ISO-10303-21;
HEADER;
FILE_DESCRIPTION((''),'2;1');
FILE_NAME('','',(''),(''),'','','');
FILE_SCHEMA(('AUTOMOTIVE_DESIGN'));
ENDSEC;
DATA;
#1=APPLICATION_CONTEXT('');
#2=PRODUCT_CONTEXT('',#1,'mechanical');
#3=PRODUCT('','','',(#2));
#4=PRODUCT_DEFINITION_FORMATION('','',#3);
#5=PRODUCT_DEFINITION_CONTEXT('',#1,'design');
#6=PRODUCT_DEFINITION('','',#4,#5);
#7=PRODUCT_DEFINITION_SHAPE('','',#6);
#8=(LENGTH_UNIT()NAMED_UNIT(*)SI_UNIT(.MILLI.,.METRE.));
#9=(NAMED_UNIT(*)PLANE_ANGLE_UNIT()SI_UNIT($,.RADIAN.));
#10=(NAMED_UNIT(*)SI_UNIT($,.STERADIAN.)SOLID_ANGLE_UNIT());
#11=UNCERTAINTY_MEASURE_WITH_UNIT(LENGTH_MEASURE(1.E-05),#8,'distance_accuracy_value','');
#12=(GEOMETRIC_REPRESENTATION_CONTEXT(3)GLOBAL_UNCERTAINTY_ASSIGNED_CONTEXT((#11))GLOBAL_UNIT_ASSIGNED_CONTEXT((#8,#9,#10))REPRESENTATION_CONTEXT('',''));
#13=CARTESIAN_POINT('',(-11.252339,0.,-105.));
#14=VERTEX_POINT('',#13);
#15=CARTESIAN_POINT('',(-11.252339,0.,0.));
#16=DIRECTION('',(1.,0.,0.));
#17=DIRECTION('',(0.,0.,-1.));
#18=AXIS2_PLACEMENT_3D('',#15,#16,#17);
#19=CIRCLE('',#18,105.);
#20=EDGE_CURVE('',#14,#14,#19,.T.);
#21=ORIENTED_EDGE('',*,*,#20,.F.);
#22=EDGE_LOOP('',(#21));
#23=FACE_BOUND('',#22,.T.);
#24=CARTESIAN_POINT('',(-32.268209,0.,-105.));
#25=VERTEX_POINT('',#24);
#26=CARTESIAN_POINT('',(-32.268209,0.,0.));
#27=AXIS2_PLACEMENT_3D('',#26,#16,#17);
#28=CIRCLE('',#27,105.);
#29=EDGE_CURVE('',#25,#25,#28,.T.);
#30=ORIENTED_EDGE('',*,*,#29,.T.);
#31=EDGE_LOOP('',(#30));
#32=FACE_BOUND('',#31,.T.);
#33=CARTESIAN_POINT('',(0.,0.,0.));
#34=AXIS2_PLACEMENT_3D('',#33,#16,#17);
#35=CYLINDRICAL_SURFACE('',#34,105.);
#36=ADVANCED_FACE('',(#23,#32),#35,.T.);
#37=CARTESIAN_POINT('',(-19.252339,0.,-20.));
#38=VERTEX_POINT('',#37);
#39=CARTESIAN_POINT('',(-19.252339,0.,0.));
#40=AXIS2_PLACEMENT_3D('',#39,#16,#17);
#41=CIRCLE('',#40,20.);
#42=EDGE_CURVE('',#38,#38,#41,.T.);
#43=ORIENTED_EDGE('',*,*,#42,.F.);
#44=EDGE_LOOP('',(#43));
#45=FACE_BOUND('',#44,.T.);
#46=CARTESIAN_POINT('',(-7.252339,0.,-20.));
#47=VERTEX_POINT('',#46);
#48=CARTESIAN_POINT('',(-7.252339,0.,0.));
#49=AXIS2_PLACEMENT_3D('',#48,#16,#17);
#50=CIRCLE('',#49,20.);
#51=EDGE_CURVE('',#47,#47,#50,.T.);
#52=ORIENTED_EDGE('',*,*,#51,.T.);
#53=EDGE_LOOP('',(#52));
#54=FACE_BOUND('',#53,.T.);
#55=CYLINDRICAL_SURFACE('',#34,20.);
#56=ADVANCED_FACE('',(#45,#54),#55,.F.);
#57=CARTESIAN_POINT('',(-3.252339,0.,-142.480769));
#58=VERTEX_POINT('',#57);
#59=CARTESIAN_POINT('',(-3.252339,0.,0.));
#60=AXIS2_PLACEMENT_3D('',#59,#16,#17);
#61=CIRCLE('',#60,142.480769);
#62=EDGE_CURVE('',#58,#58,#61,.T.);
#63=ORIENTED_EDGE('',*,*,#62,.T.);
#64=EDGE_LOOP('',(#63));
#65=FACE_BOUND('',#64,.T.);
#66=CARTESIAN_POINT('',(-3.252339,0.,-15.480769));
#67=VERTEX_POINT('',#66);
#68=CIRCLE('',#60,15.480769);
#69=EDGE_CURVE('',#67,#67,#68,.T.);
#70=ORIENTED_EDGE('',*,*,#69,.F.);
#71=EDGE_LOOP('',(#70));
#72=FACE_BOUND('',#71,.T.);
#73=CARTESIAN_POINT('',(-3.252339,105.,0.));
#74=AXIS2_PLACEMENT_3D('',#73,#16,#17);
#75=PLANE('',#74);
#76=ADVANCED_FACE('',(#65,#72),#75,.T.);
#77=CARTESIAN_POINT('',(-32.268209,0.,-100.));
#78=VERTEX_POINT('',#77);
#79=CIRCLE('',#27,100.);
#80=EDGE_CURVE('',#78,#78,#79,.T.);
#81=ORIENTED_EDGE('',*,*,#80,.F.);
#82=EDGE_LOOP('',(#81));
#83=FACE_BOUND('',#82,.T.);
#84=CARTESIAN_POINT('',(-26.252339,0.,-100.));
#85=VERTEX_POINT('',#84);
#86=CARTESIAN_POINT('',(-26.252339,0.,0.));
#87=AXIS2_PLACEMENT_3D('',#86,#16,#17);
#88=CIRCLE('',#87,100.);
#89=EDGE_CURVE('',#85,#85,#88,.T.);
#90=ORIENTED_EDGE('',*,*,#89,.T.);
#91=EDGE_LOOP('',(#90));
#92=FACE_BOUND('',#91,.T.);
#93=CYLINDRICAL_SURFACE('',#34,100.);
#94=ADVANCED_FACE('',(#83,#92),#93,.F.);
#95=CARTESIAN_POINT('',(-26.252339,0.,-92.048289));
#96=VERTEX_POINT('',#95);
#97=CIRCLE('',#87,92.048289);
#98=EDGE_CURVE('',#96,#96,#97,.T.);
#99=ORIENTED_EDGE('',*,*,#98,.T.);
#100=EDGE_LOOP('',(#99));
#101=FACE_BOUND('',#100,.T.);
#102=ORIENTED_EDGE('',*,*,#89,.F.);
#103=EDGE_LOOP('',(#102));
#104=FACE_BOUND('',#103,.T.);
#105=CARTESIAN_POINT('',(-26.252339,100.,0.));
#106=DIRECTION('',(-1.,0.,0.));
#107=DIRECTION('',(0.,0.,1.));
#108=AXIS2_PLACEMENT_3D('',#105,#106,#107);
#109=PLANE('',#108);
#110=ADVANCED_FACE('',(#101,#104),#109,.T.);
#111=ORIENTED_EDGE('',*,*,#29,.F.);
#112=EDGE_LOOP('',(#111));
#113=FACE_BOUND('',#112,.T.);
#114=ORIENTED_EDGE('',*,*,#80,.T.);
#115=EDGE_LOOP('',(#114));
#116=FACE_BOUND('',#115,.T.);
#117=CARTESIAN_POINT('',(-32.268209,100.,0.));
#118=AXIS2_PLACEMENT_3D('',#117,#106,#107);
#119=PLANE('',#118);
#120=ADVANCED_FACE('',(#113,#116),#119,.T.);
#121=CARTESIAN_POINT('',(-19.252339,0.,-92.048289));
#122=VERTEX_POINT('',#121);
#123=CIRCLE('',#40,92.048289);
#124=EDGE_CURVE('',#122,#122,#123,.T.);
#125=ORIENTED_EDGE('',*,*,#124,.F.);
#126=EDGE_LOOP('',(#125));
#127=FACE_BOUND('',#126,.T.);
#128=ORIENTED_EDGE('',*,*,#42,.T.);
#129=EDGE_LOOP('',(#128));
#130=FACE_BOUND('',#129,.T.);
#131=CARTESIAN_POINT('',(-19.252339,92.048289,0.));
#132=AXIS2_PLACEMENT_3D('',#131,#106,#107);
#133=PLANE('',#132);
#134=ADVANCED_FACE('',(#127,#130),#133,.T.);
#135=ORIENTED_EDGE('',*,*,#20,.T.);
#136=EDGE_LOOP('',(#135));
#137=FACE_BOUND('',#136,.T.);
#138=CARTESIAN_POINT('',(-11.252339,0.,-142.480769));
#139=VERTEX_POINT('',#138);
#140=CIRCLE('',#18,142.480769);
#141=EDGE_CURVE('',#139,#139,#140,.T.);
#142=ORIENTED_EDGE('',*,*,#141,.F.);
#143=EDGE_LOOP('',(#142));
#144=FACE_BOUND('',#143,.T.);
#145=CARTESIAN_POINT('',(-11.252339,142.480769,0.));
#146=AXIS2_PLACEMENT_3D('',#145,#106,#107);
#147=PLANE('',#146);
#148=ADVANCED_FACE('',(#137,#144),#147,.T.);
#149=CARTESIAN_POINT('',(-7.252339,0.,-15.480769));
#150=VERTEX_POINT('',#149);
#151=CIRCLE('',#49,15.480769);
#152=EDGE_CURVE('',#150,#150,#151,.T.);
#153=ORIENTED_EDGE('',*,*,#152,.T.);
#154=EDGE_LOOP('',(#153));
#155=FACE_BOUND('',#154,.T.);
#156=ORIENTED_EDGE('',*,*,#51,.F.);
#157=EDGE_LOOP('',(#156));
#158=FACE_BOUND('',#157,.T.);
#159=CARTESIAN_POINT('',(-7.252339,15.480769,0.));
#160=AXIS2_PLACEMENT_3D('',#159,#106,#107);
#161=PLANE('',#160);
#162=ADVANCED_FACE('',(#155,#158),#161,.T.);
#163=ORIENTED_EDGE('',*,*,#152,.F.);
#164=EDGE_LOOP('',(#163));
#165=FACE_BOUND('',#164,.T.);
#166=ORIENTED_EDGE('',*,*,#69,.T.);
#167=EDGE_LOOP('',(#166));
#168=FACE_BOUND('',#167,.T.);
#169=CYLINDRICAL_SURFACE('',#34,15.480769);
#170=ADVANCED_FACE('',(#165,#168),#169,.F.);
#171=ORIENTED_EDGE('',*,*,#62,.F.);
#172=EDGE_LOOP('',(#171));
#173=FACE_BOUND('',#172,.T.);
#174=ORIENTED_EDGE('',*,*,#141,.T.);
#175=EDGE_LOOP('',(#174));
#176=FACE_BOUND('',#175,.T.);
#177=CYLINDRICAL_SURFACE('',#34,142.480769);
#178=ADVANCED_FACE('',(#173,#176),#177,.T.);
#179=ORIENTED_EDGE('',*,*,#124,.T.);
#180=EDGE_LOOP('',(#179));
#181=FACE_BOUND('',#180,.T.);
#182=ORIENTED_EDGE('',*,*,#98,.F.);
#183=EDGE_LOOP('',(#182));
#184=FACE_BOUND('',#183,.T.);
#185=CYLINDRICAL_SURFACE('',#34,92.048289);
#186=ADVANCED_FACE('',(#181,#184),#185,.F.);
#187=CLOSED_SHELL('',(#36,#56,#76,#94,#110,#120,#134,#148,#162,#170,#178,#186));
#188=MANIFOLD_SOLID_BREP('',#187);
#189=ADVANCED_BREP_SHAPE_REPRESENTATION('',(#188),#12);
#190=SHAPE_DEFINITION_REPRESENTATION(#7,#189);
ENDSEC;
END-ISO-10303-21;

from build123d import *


with BuildPart() as part:
    # Sketch1 → Revolve1 (revolve)
    with BuildSketch(Plane.XY, mode=Mode.PRIVATE) as revolve1_sk:
        Polygon((-3.2523385, 15.480769231), (-7.2523385, 15.480769231), (-7.2523385, 20), (-19.2523385, 20), (-19.2523385, 92.048289024), (-26.2523385, 92.048289024), (-26.2523385, 100), (-32.268209286, 100), (-32.268209286, 105), (-11.2523385, 105), (-11.2523385, 142.480769231), (-3.2523385, 142.480769231), (-3.2523385, 105), align=None)
    revolve(revolve1_sk.sketch.rotate(Axis((0, 0, 0), (-1, 0, 0)), 90), axis=Axis((0, 0, 0), (-1, 0, 0)))


solid = part.part
